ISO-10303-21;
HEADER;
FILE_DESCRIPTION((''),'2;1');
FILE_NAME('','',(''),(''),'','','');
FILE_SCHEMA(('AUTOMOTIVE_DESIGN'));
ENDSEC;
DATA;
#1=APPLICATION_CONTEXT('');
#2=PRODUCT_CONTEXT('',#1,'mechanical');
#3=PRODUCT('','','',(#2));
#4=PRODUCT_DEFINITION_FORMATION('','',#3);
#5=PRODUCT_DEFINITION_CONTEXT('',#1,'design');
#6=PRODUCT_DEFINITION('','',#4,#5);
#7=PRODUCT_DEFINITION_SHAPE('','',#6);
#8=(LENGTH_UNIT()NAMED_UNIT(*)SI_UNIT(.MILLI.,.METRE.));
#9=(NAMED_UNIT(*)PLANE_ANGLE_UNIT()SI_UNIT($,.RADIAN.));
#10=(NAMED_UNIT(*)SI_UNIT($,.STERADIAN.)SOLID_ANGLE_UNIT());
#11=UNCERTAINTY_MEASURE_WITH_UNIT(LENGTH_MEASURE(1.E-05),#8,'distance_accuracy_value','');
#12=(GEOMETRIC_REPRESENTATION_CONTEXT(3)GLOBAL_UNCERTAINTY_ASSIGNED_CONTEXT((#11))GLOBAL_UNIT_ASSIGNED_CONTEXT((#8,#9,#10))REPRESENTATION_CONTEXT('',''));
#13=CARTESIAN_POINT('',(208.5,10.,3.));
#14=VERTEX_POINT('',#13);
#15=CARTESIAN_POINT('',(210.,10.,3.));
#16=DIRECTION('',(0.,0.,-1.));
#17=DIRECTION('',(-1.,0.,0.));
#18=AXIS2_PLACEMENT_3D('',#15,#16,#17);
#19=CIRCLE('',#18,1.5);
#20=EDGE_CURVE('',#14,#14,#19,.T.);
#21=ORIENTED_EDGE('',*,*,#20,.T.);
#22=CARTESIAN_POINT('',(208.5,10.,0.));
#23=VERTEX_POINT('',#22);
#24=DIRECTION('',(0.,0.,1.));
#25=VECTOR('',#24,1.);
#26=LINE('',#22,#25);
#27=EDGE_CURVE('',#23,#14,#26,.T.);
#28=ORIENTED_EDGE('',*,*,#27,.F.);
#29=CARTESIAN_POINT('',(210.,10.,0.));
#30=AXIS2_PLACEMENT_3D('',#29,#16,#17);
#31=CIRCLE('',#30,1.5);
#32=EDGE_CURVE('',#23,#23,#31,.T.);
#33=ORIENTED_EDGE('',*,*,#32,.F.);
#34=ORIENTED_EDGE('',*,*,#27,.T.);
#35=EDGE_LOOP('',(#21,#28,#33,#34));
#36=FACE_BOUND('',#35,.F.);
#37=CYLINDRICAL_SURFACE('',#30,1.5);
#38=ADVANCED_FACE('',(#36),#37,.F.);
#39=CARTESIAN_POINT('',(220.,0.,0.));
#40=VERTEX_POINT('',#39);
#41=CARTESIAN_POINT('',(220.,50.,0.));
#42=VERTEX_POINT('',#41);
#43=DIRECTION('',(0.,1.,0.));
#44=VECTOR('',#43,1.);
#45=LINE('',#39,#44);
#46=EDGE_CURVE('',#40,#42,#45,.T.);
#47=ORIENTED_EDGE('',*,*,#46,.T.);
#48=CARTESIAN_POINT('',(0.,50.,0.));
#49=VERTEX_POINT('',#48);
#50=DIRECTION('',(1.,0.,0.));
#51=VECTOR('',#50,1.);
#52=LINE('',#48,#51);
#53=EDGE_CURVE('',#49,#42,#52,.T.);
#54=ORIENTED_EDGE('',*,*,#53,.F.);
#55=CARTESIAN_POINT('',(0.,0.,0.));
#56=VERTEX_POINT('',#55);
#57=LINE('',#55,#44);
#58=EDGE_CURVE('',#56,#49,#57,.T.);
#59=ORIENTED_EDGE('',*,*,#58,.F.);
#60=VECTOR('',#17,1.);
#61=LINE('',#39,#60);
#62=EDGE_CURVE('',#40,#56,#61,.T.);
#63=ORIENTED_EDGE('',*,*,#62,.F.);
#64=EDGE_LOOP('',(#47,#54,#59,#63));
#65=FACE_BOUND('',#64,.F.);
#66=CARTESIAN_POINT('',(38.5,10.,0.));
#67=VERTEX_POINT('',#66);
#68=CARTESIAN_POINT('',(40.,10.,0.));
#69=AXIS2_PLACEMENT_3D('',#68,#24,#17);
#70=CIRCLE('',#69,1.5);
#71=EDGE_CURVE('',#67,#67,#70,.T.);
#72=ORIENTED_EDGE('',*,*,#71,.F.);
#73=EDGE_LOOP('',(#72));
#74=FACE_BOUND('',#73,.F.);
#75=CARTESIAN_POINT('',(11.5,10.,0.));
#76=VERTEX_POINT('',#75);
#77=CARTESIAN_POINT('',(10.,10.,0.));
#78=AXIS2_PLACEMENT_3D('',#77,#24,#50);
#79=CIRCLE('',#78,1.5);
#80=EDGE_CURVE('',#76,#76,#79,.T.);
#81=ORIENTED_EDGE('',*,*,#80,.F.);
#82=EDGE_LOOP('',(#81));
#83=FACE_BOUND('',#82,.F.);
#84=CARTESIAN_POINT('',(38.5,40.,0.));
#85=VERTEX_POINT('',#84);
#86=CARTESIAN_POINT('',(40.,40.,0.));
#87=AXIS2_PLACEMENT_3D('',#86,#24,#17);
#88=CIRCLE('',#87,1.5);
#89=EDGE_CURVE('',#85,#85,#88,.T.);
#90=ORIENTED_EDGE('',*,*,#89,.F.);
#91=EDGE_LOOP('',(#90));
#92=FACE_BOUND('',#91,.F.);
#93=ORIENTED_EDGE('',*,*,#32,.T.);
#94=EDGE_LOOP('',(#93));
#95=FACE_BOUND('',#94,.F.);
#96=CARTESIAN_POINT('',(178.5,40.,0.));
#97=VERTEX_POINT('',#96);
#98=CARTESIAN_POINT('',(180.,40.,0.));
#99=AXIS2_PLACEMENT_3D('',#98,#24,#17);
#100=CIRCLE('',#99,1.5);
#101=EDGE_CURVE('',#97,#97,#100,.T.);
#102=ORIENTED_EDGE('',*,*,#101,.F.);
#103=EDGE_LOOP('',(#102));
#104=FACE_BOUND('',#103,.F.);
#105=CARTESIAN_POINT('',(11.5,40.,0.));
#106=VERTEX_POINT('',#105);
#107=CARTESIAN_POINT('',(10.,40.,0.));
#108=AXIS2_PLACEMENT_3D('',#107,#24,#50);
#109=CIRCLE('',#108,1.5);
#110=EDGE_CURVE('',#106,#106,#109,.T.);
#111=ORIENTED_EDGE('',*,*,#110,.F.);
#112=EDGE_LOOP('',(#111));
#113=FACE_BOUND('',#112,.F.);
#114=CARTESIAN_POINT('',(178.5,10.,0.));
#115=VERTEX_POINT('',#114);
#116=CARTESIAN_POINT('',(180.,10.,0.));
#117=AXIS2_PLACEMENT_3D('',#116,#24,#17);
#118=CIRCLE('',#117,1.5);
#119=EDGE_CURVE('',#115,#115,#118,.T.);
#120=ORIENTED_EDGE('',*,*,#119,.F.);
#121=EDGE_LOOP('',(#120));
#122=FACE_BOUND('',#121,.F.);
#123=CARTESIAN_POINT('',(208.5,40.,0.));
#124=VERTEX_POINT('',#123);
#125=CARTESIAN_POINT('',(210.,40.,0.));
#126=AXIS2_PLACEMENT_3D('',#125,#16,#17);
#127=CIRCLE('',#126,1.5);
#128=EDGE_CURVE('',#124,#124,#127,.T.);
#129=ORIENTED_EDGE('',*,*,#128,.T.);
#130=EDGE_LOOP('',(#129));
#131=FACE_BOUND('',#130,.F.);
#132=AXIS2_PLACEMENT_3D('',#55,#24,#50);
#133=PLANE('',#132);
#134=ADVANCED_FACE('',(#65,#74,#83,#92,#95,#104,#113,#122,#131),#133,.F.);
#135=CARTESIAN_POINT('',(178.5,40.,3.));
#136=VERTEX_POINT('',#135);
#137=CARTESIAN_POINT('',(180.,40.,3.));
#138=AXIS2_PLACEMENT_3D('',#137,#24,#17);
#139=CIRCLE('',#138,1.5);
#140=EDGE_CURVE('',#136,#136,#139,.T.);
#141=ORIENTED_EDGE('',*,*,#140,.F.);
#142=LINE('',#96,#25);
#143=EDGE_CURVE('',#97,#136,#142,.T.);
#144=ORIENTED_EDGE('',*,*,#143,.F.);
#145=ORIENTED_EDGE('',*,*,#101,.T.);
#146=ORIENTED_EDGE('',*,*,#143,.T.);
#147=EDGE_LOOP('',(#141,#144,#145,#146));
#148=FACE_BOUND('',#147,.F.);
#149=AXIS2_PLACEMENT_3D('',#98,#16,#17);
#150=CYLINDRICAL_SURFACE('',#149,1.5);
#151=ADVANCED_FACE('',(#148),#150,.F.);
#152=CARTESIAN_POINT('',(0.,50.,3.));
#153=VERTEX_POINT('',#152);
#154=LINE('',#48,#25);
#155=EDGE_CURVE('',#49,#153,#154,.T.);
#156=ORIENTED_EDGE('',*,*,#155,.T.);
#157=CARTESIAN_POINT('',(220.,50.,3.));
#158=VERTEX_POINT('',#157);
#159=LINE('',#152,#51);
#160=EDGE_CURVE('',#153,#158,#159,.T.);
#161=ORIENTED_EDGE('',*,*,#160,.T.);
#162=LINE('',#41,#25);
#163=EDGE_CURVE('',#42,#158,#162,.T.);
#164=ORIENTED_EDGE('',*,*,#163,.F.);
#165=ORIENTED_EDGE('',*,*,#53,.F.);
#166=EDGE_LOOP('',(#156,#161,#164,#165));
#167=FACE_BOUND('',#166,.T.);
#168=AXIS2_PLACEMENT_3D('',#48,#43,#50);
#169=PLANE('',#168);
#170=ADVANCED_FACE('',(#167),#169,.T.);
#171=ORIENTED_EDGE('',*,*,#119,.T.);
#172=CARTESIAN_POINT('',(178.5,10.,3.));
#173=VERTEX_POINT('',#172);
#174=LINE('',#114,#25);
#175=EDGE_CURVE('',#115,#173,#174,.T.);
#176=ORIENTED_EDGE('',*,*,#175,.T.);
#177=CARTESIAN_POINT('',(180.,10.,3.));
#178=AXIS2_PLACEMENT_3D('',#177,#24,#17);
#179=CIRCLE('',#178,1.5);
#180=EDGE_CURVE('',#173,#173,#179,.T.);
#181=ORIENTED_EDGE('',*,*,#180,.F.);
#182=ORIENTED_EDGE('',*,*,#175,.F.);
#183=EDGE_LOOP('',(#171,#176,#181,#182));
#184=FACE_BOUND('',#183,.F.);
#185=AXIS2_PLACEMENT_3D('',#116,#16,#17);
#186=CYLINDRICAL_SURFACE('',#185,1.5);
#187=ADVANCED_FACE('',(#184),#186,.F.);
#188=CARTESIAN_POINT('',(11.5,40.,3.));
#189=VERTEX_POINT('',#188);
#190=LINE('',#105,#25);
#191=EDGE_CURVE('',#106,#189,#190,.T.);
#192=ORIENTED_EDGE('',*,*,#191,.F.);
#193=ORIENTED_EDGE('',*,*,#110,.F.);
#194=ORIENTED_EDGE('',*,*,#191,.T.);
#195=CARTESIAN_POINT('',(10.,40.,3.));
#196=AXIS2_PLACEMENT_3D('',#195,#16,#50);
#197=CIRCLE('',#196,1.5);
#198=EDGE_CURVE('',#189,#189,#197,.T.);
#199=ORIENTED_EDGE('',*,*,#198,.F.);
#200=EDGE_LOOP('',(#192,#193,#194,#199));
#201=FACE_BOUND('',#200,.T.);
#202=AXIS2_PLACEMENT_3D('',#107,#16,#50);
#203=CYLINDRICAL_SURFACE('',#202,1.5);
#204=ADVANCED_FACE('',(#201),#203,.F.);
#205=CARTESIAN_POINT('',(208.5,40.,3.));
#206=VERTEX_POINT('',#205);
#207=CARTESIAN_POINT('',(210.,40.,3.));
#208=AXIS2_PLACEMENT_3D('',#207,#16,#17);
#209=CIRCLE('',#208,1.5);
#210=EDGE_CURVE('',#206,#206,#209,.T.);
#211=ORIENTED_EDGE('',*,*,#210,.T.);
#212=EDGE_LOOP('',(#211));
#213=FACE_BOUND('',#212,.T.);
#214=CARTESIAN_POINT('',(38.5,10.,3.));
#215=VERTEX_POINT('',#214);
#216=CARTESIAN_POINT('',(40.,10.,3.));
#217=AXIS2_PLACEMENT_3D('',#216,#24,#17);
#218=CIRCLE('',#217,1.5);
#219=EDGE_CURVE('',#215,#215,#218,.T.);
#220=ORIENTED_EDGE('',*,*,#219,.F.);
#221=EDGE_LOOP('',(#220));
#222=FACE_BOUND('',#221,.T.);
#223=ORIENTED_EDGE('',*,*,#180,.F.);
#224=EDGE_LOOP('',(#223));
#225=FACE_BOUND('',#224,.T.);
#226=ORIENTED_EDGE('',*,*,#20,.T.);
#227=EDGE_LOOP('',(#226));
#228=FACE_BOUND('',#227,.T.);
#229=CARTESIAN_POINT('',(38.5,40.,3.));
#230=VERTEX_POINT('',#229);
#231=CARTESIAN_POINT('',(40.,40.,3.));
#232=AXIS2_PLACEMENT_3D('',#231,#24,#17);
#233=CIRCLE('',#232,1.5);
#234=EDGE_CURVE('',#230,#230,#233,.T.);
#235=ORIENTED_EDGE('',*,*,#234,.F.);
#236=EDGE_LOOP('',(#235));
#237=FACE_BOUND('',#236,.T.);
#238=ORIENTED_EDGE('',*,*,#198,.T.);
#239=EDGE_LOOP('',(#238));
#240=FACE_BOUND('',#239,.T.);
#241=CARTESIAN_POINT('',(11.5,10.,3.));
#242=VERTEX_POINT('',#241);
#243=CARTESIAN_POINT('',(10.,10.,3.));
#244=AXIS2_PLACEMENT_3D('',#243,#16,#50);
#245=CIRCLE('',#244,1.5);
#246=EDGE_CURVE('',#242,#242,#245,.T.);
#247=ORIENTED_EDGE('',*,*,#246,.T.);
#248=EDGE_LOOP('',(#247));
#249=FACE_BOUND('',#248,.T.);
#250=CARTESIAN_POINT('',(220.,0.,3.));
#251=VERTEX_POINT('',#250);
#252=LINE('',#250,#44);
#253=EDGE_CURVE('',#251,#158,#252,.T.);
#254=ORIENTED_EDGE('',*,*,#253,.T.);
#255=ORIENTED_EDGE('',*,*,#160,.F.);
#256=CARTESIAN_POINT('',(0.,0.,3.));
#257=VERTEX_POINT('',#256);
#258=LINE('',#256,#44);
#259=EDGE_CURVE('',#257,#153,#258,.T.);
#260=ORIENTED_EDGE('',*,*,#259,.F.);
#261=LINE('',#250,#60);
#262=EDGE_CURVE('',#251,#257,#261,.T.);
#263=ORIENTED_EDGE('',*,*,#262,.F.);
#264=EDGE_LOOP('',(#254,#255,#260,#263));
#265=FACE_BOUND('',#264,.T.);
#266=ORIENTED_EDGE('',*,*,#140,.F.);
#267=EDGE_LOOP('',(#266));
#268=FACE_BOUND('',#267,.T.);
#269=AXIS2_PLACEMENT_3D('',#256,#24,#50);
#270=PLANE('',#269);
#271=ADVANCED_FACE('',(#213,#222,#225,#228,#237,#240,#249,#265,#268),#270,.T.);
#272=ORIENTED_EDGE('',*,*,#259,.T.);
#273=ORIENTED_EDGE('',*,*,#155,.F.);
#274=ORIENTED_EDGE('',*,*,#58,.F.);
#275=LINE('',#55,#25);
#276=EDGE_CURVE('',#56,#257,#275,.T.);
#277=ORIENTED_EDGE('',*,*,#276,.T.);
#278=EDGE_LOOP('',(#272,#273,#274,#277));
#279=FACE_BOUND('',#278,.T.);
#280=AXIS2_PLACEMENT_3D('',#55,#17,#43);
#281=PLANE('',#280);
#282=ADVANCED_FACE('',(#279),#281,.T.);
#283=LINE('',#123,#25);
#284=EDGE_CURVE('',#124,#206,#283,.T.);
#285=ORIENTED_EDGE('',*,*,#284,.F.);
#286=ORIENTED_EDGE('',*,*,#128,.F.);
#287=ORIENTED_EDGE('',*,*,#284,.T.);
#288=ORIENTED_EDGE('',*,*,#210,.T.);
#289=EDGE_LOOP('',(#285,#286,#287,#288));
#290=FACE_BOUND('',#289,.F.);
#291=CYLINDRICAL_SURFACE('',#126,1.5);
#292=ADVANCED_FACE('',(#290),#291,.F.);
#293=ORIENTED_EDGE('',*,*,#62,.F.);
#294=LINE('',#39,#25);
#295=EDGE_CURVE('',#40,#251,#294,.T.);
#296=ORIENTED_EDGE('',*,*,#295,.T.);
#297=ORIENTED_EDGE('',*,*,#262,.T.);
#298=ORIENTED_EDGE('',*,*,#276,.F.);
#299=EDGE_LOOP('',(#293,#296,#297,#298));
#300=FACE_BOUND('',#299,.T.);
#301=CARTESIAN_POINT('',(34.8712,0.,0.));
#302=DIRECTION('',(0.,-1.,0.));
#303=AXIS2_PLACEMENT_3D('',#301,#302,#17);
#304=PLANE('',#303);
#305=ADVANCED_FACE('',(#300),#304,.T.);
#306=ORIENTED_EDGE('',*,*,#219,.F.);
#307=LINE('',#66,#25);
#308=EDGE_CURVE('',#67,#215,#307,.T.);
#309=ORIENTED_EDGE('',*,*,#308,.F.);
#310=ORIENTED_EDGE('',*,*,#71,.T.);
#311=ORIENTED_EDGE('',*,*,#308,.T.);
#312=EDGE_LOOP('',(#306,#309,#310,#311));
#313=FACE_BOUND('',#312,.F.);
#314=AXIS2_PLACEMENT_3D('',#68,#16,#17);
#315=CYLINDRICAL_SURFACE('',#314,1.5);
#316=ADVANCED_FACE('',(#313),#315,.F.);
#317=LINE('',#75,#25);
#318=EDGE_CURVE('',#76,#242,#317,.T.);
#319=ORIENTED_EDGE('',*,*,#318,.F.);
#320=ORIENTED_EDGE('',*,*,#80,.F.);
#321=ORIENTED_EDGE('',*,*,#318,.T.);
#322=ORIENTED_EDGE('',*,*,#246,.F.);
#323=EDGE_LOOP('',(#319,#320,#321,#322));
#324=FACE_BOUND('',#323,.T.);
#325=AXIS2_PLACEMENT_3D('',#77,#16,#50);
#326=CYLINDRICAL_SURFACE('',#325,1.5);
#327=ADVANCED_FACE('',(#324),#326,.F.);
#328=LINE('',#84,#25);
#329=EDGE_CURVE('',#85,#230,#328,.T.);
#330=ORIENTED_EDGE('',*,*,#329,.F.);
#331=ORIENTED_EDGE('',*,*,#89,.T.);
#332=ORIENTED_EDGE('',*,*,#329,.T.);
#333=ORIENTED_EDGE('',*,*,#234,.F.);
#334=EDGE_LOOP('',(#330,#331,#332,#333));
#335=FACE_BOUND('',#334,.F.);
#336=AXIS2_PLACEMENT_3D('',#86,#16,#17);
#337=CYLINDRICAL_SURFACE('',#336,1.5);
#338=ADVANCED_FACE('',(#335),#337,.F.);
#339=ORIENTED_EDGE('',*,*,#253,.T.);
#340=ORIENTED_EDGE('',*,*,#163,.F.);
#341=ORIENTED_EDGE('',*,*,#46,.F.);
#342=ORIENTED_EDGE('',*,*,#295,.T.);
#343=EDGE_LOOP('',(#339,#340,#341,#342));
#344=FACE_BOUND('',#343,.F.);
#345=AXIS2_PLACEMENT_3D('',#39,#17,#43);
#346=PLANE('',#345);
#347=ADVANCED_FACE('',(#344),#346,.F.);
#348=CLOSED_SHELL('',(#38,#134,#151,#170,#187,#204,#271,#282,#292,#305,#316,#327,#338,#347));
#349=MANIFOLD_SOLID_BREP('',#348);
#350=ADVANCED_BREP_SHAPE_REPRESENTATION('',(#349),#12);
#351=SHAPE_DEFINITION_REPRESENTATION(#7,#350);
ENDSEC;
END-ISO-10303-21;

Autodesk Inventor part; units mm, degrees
ref_plane "YZ Plane" through (0, 0, 0) normal (1, 0, 0) x (0, 1, 0)
ref_plane "XZ Plane" through (0, 0, 0) normal (0, 1, 0) x (-1, 0, 0)
ref_plane "XY Plane" through (0, 0, 0) normal (0, 0, 1) x (1, 0, 0)
sketch "Sketch1" plane through (0, 0, 0) normal (0, 0, 1) x (1, 0, 0)
  circle A0 centre (6.0619, 42.5) radius 1.5 projected
  circle A1 centre (6.0619, 7.5) radius 1.5 projected
  circle A2 centre (28.8092, 42.5) radius 1.5 projected
  circle A3 centre (28.8092, 7.5) radius 1.5 projected
  line L0 (34.8712, 0) -> (0, 0) projected
  line L1 (34.8712, 0) -> (34.8712, 50) projected
  line L2 (0, 50) -> (34.8712, 50) projected
  line L3 (0, 0) -> (0, 50) projected
  line L4 (0, 0) -> (220, 0)
  line L5 (220, 0) -> (220, 50)
  line L6 (220, 50) -> (0, 50)
  line L7 (0, 50) -> (0, 0)
  point P0 (19, 50)
  point P1 (19, 0)
  dimension "d0" = 220
  dimension "d1" = 50
extrude "Extrusion1" add sketch "Sketch1" along normal blind 3 contours A0 | A1 | A2 | A3 | L0 L3 L2 L1 | L1 L6 L5 L4
sketch "Sketch2" plane through (0, 0, 0) normal (0, 0, -1) x (-1, 0, 0)
  arc A0 (-300, 50) -> (-310, 40) centre (-300, 40) ccw projected
  line L0 (-310, 40) -> (-310, 10) projected
  arc A1 (-310, 10) -> (-300, 0) centre (-300, 10) ccw projected
  line L1 (-300, 0) -> (-170, 0) projected
  line L2 (-170, 0) -> (-170, 50) projected
  line L3 (-170, 50) -> (-300, 50) projected
  circle A2 centre (-250.5156, 19.2053) radius 1.75 projected
  circle A3 centre (-250.7947, 30.5156) radius 1.75 projected
  circle A4 centre (-239.2053, 19.4844) radius 1.75 projected
  circle A5 centre (-239.4844, 30.7947) radius 1.75 projected
  circle A6 centre (-263.75, 25) radius 2.6 projected
  circle A7 centre (-280, 25) radius 5 projected
  circle A8 centre (-296.25, 25) radius 2.6 projected
  circle A9 centre (-245, 25) radius 5.5 projected
  circle A10 centre (-210, 40) radius 1.5 projected
  circle A11 centre (-210, 10) radius 1.5 projected
  circle A12 centre (-180, 40) radius 1.5 projected
  circle A13 centre (-180, 10) radius 1.5 projected
  line L4 (-50, 0) -> (55, 0) projected
  arc A14 (55, 0) -> (65, 10) centre (55, 10) ccw projected
  line L5 (65, 10) -> (65, 40) projected
  arc A15 (65, 40) -> (55, 50) centre (55, 40) ccw projected
  line L6 (55, 50) -> (-50, 50) projected
  line L7 (-50, 50) -> (-50, 0) projected
  circle A16 centre (-40, 40) radius 1.5 projected
  circle A17 centre (-40, 10) radius 1.5 projected
  circle A18 centre (36, 25) radius 5 projected
  circle A19 centre (19.75, 25) radius 2.6 projected
  circle A20 centre (52.25, 25) radius 2.6 projected
  circle A21 centre (-10, 40) radius 1.5 projected
  circle A22 centre (-10, 10) radius 1.5 projected
  point P0 (0, 0)
extrude "Extrusion2" cut sketch "Sketch2" against normal through all contours A10 | A11 | A12 | A13 | A16 | A17
ref_plane "Work Plane1" through (110, 0, 0) normal (1, 0, 0) x (0, 0, -1)
mirror "Mirror1" about plane through (110, 0, 0) normal (1, 0, 0) of "Extrusion2"
properties part number "arm1" material "Polycarbonate, Clear"
